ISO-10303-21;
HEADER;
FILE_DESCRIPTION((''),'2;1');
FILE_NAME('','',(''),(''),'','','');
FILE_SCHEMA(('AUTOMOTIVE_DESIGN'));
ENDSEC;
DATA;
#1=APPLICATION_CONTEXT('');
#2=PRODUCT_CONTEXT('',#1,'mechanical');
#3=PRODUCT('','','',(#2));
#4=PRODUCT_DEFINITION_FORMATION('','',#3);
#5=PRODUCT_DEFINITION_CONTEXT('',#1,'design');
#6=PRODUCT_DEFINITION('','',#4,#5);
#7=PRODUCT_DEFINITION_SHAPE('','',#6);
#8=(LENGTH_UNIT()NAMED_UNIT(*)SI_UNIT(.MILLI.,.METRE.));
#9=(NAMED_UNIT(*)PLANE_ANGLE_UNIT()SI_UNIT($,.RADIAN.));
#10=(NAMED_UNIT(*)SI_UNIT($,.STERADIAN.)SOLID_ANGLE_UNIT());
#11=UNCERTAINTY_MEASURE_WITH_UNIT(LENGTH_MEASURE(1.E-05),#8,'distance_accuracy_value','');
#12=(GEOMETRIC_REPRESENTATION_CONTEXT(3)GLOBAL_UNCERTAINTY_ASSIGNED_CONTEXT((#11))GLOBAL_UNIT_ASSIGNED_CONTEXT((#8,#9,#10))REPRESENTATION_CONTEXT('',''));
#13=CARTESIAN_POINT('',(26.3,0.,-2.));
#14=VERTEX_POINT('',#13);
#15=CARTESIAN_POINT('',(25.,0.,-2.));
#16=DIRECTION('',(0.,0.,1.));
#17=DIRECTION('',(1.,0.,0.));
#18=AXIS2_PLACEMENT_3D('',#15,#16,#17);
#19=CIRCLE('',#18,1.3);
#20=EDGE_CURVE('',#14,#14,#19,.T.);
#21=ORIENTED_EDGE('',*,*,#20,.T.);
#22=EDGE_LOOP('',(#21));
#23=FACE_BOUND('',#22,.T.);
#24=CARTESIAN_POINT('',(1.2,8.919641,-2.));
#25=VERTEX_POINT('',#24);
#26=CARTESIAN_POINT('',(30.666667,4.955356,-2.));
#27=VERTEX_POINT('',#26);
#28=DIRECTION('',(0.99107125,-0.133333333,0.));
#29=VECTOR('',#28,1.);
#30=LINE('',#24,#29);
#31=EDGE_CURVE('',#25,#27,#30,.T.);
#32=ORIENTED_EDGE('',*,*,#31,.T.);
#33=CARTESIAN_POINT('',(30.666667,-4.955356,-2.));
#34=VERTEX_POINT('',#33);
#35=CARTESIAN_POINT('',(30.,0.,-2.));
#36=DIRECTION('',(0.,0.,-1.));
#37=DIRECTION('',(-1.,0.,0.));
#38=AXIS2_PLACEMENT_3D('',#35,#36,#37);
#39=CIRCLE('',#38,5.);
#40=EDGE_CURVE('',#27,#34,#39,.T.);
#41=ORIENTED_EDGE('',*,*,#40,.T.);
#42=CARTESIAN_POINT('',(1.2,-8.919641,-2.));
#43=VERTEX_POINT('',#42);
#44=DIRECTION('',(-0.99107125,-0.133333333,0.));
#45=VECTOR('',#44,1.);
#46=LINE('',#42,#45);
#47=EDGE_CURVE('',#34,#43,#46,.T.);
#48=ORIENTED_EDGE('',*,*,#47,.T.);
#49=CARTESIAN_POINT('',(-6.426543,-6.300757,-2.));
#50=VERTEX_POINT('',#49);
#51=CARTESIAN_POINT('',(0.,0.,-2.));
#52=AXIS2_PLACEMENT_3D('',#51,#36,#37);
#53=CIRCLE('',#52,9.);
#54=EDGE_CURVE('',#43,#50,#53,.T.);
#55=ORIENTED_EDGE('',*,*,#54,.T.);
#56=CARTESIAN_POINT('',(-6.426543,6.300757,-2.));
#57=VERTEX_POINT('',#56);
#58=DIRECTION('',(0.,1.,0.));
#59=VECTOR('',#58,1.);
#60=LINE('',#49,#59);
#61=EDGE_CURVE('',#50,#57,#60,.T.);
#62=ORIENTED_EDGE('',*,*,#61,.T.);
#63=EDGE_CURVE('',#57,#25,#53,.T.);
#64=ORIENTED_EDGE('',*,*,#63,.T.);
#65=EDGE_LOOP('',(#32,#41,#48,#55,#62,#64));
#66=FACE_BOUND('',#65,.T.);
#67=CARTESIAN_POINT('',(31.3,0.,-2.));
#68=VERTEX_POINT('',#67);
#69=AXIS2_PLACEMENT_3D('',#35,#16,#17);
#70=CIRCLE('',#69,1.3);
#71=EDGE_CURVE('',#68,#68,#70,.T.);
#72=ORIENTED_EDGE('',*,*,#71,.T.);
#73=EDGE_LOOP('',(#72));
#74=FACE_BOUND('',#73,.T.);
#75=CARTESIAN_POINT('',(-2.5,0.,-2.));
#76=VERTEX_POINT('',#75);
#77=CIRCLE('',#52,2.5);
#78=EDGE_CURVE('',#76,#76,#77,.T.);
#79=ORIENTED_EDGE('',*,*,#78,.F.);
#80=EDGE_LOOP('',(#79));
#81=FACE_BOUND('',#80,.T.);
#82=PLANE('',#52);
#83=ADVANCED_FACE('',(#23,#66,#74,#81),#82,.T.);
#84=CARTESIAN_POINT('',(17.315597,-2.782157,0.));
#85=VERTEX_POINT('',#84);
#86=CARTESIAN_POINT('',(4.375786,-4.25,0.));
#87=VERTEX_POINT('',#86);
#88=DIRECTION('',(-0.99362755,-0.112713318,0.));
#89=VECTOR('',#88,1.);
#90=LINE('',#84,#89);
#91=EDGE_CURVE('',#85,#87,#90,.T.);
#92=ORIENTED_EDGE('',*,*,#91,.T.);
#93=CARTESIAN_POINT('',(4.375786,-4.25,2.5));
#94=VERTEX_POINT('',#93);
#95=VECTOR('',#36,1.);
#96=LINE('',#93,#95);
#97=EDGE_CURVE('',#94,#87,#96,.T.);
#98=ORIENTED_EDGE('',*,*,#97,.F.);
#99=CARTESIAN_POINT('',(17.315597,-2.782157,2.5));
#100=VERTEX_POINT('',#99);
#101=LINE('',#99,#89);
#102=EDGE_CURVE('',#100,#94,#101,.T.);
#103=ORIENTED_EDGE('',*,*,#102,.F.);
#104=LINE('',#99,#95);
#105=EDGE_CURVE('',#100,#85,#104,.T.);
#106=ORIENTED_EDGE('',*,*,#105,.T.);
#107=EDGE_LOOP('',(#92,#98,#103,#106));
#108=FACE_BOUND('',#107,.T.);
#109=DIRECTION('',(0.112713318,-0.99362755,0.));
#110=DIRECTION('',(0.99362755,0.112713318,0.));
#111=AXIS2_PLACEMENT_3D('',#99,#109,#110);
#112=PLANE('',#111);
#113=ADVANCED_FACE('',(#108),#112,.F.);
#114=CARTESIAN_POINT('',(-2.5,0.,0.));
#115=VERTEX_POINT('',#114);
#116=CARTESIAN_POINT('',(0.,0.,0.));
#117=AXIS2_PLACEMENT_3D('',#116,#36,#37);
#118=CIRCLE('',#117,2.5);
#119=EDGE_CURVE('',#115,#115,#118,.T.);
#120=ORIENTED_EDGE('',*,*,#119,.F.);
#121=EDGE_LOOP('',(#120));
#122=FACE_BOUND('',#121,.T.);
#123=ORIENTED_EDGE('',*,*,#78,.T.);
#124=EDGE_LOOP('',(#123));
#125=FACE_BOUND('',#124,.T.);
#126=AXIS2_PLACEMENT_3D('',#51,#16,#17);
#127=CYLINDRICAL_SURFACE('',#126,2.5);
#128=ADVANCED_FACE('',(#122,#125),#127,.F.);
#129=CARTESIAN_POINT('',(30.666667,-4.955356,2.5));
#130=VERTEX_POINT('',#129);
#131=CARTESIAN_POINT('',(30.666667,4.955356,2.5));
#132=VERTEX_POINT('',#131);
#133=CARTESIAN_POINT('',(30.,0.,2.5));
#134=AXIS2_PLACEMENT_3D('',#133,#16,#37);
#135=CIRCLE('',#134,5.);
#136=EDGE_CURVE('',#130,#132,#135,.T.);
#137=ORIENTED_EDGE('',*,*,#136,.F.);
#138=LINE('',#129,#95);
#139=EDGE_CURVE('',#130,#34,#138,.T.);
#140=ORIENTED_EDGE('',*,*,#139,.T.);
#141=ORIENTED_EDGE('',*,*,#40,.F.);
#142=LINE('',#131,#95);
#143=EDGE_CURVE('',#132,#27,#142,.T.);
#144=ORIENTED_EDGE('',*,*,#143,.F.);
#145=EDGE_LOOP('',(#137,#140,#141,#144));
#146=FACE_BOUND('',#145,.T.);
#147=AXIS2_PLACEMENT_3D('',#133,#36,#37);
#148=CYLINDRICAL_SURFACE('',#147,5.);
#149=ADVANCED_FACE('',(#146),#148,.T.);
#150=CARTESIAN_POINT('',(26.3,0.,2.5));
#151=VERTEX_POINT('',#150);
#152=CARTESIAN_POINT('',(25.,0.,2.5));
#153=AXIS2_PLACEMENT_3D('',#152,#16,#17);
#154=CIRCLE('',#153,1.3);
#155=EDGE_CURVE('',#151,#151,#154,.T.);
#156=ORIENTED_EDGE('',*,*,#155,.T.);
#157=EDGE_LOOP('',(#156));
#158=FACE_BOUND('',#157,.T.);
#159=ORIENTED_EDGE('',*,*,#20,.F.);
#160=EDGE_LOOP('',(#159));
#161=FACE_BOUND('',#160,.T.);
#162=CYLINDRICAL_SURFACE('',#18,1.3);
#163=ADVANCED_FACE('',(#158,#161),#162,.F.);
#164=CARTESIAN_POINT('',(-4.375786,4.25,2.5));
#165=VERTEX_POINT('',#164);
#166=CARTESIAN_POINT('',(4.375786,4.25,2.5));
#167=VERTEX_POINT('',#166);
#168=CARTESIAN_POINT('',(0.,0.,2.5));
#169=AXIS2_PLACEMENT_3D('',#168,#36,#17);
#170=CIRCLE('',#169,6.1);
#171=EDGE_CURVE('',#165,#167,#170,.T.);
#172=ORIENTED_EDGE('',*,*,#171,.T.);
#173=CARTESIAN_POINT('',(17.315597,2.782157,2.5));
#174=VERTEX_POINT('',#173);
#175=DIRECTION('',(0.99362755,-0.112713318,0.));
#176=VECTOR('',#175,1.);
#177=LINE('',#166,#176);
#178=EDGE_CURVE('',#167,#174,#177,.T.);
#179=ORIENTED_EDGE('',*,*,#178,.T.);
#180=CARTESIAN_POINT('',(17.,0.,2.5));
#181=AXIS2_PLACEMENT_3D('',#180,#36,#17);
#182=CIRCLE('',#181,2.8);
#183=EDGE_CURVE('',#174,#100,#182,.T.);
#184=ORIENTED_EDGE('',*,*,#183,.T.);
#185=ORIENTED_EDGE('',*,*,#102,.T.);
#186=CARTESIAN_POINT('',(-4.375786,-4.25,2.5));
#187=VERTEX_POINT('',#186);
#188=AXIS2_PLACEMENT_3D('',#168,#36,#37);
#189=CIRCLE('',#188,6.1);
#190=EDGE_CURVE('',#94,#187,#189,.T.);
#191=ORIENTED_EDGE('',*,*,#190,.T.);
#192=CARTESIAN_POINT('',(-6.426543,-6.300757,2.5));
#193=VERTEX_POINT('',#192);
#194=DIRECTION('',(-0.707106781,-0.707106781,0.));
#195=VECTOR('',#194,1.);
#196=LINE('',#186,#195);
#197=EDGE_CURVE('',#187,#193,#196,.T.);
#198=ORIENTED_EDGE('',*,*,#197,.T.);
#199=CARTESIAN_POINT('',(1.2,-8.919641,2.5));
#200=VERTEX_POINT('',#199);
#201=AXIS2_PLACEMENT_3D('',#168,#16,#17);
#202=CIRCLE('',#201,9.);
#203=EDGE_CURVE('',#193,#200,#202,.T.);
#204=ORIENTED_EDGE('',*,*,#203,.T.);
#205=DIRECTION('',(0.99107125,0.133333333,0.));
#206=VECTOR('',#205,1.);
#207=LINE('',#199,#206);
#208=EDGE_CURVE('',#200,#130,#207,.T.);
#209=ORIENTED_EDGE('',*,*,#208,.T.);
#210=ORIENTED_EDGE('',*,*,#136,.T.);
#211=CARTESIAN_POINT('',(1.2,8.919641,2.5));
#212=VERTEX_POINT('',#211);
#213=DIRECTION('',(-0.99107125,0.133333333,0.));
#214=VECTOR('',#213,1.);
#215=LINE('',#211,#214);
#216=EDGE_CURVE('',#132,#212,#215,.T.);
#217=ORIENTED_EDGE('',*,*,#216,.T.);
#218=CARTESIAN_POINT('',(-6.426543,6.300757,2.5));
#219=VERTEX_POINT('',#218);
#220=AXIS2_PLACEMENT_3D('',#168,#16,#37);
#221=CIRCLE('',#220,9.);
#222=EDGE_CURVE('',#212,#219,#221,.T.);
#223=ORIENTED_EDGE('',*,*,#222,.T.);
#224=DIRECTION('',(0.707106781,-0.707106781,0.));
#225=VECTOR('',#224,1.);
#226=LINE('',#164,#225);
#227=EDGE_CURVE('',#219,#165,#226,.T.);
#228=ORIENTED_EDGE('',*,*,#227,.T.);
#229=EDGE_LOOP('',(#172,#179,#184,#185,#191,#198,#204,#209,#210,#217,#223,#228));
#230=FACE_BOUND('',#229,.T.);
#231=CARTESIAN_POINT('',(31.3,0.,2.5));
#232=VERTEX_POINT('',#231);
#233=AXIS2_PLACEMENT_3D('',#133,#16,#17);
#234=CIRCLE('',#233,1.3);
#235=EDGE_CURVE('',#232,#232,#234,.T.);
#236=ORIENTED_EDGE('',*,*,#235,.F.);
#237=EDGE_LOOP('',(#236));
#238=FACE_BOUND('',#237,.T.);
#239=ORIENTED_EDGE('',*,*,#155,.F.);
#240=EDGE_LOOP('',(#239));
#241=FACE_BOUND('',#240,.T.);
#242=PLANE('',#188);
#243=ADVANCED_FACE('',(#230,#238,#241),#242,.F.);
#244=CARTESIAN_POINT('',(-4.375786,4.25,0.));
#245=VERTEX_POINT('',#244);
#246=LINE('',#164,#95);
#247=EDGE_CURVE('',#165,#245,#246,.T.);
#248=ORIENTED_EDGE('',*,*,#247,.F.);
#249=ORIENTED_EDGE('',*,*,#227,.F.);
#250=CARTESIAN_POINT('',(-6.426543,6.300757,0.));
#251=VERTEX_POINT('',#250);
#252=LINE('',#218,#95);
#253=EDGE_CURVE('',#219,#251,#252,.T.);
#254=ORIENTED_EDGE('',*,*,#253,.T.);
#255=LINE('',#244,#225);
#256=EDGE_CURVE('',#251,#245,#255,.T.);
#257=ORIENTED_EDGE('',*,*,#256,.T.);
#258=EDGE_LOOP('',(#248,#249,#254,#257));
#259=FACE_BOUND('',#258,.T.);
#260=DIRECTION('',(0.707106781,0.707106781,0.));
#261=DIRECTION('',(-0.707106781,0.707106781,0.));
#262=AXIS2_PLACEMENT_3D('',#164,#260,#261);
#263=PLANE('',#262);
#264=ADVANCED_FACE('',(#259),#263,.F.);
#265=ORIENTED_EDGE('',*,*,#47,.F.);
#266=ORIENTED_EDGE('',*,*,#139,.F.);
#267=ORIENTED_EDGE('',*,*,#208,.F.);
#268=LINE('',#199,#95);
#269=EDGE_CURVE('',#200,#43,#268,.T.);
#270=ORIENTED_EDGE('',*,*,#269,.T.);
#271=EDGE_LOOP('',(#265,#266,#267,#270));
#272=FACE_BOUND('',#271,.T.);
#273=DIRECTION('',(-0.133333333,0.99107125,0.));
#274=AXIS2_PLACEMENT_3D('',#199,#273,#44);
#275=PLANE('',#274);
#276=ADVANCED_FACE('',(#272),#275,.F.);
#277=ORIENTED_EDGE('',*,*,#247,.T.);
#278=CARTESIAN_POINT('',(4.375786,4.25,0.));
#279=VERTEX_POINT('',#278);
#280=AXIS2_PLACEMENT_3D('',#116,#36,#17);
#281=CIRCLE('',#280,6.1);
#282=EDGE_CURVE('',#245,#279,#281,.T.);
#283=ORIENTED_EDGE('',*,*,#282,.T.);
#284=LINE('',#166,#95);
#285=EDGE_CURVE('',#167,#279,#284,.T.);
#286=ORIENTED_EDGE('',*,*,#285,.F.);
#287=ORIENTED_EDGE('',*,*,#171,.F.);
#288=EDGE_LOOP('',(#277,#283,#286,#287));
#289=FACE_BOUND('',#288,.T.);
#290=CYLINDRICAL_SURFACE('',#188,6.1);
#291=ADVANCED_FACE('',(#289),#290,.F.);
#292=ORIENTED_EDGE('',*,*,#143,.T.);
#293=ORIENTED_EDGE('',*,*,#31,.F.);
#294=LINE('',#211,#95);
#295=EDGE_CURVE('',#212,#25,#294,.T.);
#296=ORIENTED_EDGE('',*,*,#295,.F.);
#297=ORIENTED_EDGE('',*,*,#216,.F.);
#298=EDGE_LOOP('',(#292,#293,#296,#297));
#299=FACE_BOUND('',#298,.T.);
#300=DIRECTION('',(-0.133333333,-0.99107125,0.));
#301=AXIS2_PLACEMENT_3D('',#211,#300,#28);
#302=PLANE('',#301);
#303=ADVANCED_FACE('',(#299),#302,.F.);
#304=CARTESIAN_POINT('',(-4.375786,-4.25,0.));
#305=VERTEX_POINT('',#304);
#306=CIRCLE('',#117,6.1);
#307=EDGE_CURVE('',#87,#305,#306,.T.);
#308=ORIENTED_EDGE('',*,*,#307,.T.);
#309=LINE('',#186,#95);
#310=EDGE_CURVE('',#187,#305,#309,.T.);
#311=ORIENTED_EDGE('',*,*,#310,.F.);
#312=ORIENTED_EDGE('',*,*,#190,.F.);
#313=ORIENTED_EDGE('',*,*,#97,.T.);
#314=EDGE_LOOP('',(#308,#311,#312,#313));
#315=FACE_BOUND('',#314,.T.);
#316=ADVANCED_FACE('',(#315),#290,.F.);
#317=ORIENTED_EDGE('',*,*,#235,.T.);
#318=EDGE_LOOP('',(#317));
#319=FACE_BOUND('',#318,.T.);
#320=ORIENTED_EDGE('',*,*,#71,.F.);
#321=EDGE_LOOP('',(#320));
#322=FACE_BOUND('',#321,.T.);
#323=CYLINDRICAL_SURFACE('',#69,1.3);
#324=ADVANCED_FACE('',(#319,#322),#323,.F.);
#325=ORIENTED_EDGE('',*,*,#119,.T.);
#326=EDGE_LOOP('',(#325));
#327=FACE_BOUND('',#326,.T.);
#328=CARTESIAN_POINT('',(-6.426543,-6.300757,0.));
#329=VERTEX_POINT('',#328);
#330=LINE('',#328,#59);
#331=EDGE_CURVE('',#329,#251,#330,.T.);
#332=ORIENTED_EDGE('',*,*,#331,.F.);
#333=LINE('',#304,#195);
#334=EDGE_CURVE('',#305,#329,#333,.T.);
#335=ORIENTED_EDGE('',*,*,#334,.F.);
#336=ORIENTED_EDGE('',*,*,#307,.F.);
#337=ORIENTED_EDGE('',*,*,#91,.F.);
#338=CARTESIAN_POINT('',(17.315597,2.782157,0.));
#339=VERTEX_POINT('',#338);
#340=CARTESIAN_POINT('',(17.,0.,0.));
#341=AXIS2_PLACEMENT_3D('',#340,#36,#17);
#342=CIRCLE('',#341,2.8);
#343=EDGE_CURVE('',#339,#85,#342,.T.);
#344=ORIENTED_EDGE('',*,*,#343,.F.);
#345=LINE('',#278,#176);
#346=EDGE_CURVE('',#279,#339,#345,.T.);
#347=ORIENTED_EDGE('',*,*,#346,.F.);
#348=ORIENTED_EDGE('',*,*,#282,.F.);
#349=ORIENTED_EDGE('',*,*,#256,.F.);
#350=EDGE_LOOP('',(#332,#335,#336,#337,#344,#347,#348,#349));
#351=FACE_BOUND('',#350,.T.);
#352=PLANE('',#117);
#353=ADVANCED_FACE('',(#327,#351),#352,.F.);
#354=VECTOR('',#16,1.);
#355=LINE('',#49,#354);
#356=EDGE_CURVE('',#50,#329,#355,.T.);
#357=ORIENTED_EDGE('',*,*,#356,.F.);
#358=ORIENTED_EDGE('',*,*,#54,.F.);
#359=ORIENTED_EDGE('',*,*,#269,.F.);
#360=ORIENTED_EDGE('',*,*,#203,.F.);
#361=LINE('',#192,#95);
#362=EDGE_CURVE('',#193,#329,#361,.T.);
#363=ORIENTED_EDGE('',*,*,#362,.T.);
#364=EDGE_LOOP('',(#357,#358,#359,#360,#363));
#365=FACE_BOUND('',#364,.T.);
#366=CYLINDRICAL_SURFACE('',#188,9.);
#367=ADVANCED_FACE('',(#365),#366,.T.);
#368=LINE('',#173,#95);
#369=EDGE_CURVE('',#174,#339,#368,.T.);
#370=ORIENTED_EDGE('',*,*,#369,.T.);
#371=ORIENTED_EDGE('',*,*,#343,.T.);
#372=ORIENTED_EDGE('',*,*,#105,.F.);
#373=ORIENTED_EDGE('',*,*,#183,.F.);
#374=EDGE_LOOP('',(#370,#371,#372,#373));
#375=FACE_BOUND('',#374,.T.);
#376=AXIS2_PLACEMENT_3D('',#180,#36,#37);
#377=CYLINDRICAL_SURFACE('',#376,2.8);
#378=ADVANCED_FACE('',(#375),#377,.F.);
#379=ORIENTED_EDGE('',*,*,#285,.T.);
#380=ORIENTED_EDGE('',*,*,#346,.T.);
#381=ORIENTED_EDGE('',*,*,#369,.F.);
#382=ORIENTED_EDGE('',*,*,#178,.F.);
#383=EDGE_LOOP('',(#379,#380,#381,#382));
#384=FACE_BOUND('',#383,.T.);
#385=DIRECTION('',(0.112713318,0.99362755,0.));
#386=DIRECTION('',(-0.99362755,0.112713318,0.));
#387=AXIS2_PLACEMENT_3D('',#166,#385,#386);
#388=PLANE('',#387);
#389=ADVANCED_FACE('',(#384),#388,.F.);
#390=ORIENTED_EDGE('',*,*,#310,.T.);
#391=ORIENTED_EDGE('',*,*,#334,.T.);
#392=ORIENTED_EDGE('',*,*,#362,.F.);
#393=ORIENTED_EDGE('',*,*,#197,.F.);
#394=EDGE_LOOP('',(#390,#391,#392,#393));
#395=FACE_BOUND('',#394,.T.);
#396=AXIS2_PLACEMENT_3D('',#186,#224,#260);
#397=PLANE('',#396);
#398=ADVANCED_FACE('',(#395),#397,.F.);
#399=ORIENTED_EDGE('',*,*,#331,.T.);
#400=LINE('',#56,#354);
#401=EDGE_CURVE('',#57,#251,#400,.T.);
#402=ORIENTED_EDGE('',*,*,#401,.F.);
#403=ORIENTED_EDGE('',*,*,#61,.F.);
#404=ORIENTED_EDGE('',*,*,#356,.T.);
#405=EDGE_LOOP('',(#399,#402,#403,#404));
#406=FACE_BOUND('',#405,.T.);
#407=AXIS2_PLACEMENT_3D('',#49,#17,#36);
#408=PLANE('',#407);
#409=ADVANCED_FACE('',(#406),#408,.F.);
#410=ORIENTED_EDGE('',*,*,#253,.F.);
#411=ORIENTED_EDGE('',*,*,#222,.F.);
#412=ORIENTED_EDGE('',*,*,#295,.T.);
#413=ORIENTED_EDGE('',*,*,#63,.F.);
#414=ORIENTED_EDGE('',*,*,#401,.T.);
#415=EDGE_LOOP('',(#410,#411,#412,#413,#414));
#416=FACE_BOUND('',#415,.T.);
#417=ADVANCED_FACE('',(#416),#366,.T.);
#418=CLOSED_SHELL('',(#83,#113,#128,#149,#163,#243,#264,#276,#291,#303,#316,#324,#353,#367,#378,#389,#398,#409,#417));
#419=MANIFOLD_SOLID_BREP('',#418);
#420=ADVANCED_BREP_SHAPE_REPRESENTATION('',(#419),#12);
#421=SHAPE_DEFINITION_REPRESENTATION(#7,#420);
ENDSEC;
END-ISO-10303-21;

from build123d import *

# Parameters (mm, degrees)
MAIN_DEPTH            = 2.5
ESQUISSE2_R           = 2.5
ORIGINALBRACKET_DEPTH = 2
ESQUISSE3_R           = 1.3
FIXINGHOLE_DEPTH      = 5.5


with BuildPart() as part:
    # Esquisse1 → Main (new body)
    with BuildSketch(Plane.XY):
        with BuildLine():
            Line((-4.375785644, 4.25), (-6.426543071, 6.300757427))
            ThreePointArc((-6.426543071, 6.300757427), (-2.922982421, 8.512119229), (1.2, 8.919641248))
            Line((1.2, 8.919641248), (30.666666667, 4.955356249))
            ThreePointArc((30.666666667, 4.955356249), (35, 0), (30.666666667, -4.955356249))
            Line((30.666666667, -4.955356249), (1.2, -8.919641248))
            ThreePointArc((1.2, -8.919641248), (-2.922982421, -8.512119229), (-6.426543071, -6.300757427))
            Line((-6.426543071, -6.300757427), (-4.375785644, -4.25))
            ThreePointArc((-4.375785644, -4.25), (0, -6.1), (4.375785644, -4.25))
            Line((4.375785644, -4.25), (17.31559729, -2.78215714))
            ThreePointArc((17.31559729, -2.78215714), (19.8, 0), (17.31559729, 2.78215714))
            Line((17.31559729, 2.78215714), (4.375785644, 4.25))
            ThreePointArc((4.375785644, 4.25), (0, 6.1), (-4.375785644, 4.25))
        make_face()
    extrude(amount=MAIN_DEPTH)

    # Esquisse2 → OriginalBracket (add)
    with BuildSketch(Plane(origin=(0, 0, 0), x_dir=(-1, 0, 0), z_dir=(0, 0, -1))):
        with BuildLine():
            Line((-1.2, -8.919641248), (-30.666666667, -4.955356249))
            ThreePointArc((-30.666666667, -4.955356249), (-35, 0), (-30.666666667, 4.955356249))
            Line((-30.666666667, 4.955356249), (-1.2, 8.919641248))
            ThreePointArc((-1.2, 8.919641248), (2.922982421, 8.512119229), (6.426543071, 6.300757427))
            Line((6.426543071, 6.300757427), (6.426543071, -6.300757427))
            ThreePointArc((6.426543071, -6.300757427), (2.922982421, -8.512119229), (-1.2, -8.919641248))
        make_face()
        Circle(ESQUISSE2_R, mode=Mode.SUBTRACT)
    extrude(amount=ORIGINALBRACKET_DEPTH)

    # Esquisse3 → FixingHole (cut, through all)
    with BuildSketch(Plane.XY.offset(2.5)):
        with Locations((30, 0)):
            Circle(ESQUISSE3_R)
        with Locations((25, 0)):
            Circle(ESQUISSE3_R)
    extrude(amount=-FIXINGHOLE_DEPTH, mode=Mode.SUBTRACT)


solid = part.part
